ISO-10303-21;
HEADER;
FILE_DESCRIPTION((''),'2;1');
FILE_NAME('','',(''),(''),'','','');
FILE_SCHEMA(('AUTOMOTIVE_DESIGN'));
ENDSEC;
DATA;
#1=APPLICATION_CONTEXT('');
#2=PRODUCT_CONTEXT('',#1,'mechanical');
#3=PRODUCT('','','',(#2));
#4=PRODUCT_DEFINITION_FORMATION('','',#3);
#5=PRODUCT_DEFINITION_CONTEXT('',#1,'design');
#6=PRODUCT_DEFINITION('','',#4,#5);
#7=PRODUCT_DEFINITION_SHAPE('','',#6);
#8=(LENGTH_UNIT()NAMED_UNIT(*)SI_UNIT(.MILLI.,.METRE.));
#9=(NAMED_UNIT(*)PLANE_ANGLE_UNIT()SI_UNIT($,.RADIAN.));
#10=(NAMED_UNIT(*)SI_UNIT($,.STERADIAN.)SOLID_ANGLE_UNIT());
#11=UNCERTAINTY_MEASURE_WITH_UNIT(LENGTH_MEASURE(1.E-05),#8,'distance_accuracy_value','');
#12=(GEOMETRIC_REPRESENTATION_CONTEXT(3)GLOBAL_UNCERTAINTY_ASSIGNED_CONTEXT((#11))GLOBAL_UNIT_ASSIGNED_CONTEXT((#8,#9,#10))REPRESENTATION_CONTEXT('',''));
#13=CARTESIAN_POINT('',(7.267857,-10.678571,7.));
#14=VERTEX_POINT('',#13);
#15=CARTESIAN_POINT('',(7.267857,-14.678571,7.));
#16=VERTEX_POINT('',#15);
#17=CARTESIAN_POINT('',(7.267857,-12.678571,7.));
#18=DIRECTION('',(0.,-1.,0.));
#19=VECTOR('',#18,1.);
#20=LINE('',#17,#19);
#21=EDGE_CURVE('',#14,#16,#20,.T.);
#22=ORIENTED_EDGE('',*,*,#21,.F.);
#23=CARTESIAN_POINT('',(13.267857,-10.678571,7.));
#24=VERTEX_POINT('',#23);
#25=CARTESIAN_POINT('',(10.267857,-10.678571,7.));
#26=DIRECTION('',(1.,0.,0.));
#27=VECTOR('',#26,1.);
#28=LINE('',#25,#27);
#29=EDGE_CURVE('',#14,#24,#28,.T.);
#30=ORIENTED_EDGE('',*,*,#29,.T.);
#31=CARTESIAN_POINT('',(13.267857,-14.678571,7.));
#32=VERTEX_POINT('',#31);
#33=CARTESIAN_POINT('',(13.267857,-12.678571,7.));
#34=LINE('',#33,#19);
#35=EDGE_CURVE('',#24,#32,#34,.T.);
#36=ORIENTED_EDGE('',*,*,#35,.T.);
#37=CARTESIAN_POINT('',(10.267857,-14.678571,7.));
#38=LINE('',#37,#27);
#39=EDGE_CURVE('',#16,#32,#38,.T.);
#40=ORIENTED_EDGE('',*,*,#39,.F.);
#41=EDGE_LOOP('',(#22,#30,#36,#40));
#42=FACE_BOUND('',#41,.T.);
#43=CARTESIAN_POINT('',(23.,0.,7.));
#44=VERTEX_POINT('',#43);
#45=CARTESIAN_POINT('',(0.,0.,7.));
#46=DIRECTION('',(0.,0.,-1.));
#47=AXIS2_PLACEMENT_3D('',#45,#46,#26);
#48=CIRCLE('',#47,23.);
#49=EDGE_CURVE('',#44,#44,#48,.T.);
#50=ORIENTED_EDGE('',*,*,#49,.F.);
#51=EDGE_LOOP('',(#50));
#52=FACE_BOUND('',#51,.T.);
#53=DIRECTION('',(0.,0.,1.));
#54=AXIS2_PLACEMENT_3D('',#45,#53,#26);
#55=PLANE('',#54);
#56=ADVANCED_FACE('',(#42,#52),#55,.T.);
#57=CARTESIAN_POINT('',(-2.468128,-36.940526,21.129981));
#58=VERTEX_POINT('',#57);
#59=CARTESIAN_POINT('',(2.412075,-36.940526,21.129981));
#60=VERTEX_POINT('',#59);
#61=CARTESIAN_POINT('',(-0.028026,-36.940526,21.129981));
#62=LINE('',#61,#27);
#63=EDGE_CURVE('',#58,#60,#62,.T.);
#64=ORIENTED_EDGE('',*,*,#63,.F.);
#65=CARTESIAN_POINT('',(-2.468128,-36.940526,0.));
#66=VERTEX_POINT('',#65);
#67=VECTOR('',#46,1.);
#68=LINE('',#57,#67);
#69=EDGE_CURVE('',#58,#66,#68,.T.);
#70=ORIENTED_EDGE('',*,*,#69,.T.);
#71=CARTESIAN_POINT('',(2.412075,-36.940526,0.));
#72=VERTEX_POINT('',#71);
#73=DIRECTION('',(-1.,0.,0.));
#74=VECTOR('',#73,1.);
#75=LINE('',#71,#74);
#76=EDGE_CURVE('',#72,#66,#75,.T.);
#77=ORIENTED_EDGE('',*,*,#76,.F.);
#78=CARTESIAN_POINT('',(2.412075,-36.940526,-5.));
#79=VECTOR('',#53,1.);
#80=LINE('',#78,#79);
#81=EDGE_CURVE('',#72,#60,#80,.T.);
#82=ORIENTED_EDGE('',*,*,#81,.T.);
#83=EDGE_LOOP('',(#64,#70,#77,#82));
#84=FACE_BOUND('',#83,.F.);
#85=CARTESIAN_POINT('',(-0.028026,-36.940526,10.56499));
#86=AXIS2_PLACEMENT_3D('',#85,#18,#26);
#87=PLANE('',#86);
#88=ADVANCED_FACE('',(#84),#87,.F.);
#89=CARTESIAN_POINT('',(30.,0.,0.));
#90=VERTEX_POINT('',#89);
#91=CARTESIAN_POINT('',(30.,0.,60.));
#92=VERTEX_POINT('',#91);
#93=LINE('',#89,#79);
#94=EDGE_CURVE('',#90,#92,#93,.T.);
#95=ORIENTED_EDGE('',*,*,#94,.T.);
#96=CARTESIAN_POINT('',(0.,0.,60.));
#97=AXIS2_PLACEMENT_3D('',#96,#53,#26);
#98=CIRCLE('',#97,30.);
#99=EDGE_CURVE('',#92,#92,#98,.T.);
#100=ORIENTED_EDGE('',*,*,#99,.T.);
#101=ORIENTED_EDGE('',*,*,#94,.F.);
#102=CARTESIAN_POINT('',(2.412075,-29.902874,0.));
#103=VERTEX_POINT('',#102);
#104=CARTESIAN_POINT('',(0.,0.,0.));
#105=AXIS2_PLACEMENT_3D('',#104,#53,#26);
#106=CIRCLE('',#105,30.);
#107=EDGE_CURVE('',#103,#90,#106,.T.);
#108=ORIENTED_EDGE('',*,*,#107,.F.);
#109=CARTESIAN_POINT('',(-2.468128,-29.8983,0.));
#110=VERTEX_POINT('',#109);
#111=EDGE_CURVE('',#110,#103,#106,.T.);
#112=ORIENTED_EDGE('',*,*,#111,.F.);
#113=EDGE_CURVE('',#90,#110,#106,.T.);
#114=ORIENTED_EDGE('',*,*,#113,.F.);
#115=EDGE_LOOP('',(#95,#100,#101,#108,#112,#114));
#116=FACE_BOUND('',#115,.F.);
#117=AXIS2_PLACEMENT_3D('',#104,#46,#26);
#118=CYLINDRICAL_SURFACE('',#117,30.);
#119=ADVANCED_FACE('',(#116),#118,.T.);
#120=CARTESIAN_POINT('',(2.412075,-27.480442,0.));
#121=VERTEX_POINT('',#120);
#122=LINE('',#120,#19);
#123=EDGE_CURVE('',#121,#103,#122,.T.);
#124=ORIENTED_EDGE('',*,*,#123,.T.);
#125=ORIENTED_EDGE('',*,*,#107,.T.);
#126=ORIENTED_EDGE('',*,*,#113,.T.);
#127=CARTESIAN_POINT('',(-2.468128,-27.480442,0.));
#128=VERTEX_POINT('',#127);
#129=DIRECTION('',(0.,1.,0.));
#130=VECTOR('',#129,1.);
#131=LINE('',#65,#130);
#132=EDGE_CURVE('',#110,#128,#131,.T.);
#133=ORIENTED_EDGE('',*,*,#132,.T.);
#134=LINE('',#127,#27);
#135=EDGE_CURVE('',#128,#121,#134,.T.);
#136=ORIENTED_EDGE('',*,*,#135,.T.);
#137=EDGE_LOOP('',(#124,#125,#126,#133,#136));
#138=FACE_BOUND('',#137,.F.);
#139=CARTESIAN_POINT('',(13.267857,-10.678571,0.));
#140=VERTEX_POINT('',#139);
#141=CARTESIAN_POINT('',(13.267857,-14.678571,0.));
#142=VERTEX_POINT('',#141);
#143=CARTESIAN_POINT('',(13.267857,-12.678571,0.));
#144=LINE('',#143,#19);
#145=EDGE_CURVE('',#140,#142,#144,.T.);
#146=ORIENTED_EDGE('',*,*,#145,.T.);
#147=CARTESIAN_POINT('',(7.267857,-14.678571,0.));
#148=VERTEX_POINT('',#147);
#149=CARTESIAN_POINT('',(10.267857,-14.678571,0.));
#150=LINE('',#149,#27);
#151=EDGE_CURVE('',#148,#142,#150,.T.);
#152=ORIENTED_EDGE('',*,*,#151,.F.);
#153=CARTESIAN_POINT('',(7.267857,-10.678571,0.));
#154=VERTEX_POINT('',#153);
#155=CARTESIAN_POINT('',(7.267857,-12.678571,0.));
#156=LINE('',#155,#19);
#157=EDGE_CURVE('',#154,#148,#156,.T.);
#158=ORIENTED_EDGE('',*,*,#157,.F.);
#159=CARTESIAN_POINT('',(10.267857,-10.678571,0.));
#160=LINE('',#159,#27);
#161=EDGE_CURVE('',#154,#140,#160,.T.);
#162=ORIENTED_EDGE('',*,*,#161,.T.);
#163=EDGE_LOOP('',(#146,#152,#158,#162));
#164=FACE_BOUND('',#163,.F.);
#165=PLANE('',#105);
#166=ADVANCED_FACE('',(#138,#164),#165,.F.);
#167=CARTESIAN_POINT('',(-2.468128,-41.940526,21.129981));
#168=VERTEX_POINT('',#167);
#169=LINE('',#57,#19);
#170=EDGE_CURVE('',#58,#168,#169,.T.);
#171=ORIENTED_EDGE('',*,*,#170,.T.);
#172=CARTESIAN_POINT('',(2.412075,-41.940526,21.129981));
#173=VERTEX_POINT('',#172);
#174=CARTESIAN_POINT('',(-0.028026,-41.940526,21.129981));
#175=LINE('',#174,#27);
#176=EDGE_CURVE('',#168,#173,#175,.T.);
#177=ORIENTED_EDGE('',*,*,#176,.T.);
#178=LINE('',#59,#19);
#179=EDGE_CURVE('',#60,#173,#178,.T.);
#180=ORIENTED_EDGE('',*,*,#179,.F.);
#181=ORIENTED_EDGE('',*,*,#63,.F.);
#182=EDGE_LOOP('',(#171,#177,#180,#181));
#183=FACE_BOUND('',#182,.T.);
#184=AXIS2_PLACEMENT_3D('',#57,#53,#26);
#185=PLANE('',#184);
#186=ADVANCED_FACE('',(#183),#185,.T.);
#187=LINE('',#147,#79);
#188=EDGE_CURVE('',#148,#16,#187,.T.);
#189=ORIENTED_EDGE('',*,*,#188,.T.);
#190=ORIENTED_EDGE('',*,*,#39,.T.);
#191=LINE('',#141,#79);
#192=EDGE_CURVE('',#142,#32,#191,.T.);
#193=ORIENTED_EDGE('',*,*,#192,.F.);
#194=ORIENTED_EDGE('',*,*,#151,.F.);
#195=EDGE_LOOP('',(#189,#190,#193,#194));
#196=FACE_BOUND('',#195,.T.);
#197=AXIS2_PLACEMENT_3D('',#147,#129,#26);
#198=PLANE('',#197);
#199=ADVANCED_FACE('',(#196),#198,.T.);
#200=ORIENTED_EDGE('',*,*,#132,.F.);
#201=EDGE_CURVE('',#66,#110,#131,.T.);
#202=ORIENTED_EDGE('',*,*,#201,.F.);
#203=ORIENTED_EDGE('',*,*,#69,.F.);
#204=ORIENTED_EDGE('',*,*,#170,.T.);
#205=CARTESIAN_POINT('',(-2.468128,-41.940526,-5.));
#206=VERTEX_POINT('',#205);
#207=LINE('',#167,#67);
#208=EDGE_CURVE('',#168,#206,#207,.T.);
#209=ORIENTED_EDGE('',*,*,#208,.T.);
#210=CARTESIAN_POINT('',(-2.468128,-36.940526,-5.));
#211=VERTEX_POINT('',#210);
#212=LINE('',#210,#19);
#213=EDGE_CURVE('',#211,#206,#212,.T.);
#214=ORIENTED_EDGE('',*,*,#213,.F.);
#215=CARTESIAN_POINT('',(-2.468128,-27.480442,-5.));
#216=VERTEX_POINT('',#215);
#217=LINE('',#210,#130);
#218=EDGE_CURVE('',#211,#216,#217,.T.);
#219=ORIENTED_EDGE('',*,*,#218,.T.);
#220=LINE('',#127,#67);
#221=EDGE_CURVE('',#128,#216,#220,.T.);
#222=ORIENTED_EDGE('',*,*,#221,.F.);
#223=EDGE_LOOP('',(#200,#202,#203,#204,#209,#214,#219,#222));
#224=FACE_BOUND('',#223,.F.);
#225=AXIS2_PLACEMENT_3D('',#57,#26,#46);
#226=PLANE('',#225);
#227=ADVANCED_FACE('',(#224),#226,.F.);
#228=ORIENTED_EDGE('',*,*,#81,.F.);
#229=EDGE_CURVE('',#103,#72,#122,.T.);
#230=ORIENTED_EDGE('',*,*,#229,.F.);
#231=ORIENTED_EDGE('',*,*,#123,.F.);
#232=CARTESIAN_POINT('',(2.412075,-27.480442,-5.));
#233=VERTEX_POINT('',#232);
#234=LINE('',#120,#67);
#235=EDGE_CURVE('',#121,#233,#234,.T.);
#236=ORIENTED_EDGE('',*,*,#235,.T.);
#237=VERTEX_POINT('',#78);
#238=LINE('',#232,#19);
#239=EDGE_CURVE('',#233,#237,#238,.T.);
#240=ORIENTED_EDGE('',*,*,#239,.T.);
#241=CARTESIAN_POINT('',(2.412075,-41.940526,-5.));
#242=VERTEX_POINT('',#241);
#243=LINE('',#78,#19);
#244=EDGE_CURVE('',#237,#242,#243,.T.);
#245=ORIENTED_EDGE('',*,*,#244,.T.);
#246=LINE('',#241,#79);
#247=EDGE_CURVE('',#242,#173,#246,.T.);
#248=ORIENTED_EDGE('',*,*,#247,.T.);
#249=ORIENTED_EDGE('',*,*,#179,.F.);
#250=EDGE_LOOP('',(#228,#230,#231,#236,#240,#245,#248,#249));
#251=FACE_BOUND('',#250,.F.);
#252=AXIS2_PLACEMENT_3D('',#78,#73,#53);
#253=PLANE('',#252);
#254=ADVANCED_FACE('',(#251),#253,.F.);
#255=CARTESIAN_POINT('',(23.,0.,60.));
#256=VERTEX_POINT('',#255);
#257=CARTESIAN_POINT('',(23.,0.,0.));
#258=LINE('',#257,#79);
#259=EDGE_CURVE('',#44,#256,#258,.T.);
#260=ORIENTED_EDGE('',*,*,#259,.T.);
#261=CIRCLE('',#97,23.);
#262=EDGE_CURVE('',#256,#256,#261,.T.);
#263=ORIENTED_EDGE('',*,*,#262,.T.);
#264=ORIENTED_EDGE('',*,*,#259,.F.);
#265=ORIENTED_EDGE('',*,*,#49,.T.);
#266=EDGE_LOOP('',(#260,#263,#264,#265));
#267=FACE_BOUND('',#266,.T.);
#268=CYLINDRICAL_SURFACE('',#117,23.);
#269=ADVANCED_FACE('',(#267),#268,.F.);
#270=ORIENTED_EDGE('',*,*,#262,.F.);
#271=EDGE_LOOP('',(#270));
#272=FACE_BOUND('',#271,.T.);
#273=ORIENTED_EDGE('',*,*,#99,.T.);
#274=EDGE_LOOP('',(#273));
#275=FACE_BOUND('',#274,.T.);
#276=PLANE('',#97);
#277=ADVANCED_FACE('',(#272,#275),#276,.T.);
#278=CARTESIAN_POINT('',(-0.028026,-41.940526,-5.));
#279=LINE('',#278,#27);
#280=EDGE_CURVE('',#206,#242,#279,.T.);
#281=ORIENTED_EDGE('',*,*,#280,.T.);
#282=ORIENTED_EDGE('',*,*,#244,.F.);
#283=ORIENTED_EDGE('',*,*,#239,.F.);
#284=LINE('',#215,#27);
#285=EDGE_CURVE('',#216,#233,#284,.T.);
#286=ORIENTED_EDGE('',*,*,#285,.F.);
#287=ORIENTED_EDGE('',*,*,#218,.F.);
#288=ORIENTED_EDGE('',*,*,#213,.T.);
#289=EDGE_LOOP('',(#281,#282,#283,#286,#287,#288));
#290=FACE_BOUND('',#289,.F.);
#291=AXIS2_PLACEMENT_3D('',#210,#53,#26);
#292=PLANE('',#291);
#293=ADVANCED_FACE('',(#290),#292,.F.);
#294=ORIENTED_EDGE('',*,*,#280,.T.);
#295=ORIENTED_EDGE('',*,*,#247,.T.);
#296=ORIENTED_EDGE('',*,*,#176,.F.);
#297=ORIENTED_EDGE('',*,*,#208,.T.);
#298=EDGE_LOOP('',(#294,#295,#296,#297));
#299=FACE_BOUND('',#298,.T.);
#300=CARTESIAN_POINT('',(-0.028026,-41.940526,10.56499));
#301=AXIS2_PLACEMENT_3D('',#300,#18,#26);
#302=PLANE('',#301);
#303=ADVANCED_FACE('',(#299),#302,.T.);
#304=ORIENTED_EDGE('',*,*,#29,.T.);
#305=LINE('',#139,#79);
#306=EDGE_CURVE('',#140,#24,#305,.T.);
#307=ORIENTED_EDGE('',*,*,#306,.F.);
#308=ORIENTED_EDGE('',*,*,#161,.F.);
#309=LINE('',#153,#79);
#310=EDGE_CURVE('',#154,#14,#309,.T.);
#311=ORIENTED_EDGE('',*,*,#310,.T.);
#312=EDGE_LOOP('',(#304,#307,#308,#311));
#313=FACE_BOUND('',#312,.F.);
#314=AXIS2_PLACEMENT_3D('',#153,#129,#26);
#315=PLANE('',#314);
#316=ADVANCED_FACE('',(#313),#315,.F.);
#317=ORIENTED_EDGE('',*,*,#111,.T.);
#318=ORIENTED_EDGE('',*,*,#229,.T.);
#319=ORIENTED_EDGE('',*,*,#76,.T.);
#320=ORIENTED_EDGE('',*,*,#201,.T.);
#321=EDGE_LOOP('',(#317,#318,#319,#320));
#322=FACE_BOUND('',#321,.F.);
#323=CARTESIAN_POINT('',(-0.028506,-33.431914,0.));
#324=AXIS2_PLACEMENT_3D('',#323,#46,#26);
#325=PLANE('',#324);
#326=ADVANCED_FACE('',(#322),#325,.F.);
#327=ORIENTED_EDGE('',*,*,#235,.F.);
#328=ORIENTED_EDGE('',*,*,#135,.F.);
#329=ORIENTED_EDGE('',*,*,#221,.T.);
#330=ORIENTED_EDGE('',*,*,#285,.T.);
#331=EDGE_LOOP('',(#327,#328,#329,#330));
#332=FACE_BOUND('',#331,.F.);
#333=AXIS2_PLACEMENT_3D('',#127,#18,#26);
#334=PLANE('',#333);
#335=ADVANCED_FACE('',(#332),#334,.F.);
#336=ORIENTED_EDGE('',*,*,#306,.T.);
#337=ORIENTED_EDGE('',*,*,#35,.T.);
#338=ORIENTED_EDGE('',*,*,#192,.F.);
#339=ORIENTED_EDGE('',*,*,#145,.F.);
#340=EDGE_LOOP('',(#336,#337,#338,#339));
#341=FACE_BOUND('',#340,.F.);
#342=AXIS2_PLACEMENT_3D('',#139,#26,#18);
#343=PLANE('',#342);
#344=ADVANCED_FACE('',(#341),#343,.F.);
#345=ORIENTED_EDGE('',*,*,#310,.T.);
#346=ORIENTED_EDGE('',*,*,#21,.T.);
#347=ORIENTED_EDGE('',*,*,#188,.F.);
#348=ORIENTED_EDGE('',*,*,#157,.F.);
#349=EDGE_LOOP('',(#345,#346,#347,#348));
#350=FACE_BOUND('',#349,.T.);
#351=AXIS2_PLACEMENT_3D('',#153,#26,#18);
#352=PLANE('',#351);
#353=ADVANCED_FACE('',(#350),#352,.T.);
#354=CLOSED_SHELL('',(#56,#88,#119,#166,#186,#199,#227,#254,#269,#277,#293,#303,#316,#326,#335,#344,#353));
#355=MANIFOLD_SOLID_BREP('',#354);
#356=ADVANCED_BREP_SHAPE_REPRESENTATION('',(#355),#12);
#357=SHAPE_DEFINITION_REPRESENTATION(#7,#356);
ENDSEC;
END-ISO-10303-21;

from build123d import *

# Parameters (mm, degrees)
F0_R     = 30
F1_DEPTH = 60
F2_T     = -7
F3_W     = 6
F3_H     = 4
F4_DEPTH = 7
F6_DEPTH = 5
F7_W     = 4.8802027013
F7_H     = 21.1299806833
F7_H_2   = 5
F8_DEPTH = 5


with BuildPart() as f1:
    # F0 (on Top) → F1 (new body)
    with BuildSketch(Plane.XY):
        Circle(F0_R)
    extrude(amount=F1_DEPTH)

    # F2
    f2_openings = [f1.faces().sort_by_distance(p)[0] for p in [
        (0, 0, 60),
    ]]
    offset(amount=F2_T, openings=f2_openings)

    # F3 (on face) → F4 (cut)
    with BuildSketch(Plane(origin=(0, 0, 0), x_dir=(1, 0, 0), z_dir=(0, 0, -1))):
        with Locations((10.2678574622, 12.6785714924)):
            Rectangle(F3_W, F3_H)
    extrude(amount=-F4_DEPTH, mode=Mode.SUBTRACT)

    # F5 (on face) → F6 (join)
    with BuildSketch(Plane(origin=(0, 0, 0), x_dir=(1, 0, 0), z_dir=(0, 0, -1))):
        with BuildLine():
            Line((-2.4681275245, 36.9405262172), (-2.4681275245, 29.8983000608))
            ThreePointArc((-2.4681275245, 29.8983000608), (-0.0281193423, 29.9999868217), (2.4120751768, 29.9028743324))
            Line((2.4120751768, 29.9028743324), (2.4120751768, 36.9405262172))
            Line((2.4120751768, 36.9405262172), (-2.4681275245, 36.9405262172))
        make_face()
        with BuildLine():
            Line((-2.4681275245, 29.8983000608), (-2.4681275245, 27.4804420769))
            Line((-2.4681275245, 27.4804420769), (2.4120751768, 27.4804420769))
            Line((2.4120751768, 27.4804420769), (2.4120751768, 29.9028743324))
            ThreePointArc((2.4120751768, 29.9028743324), (-0.0281193423, 29.9999868217), (-2.4681275245, 29.8983000608))
        make_face()
    extrude(amount=F6_DEPTH)

    # F7 (on face) → F8 (join)
    with BuildSketch(Plane.XZ.offset(36.9405262172)):
        with Locations((-0.0280261738, 10.5649903417)):
            Rectangle(F7_W, F7_H)
        with Locations((-0.0280261738, -2.5)):
            Rectangle(F7_W, F7_H_2)
    extrude(amount=F8_DEPTH)


solid = f1.part
